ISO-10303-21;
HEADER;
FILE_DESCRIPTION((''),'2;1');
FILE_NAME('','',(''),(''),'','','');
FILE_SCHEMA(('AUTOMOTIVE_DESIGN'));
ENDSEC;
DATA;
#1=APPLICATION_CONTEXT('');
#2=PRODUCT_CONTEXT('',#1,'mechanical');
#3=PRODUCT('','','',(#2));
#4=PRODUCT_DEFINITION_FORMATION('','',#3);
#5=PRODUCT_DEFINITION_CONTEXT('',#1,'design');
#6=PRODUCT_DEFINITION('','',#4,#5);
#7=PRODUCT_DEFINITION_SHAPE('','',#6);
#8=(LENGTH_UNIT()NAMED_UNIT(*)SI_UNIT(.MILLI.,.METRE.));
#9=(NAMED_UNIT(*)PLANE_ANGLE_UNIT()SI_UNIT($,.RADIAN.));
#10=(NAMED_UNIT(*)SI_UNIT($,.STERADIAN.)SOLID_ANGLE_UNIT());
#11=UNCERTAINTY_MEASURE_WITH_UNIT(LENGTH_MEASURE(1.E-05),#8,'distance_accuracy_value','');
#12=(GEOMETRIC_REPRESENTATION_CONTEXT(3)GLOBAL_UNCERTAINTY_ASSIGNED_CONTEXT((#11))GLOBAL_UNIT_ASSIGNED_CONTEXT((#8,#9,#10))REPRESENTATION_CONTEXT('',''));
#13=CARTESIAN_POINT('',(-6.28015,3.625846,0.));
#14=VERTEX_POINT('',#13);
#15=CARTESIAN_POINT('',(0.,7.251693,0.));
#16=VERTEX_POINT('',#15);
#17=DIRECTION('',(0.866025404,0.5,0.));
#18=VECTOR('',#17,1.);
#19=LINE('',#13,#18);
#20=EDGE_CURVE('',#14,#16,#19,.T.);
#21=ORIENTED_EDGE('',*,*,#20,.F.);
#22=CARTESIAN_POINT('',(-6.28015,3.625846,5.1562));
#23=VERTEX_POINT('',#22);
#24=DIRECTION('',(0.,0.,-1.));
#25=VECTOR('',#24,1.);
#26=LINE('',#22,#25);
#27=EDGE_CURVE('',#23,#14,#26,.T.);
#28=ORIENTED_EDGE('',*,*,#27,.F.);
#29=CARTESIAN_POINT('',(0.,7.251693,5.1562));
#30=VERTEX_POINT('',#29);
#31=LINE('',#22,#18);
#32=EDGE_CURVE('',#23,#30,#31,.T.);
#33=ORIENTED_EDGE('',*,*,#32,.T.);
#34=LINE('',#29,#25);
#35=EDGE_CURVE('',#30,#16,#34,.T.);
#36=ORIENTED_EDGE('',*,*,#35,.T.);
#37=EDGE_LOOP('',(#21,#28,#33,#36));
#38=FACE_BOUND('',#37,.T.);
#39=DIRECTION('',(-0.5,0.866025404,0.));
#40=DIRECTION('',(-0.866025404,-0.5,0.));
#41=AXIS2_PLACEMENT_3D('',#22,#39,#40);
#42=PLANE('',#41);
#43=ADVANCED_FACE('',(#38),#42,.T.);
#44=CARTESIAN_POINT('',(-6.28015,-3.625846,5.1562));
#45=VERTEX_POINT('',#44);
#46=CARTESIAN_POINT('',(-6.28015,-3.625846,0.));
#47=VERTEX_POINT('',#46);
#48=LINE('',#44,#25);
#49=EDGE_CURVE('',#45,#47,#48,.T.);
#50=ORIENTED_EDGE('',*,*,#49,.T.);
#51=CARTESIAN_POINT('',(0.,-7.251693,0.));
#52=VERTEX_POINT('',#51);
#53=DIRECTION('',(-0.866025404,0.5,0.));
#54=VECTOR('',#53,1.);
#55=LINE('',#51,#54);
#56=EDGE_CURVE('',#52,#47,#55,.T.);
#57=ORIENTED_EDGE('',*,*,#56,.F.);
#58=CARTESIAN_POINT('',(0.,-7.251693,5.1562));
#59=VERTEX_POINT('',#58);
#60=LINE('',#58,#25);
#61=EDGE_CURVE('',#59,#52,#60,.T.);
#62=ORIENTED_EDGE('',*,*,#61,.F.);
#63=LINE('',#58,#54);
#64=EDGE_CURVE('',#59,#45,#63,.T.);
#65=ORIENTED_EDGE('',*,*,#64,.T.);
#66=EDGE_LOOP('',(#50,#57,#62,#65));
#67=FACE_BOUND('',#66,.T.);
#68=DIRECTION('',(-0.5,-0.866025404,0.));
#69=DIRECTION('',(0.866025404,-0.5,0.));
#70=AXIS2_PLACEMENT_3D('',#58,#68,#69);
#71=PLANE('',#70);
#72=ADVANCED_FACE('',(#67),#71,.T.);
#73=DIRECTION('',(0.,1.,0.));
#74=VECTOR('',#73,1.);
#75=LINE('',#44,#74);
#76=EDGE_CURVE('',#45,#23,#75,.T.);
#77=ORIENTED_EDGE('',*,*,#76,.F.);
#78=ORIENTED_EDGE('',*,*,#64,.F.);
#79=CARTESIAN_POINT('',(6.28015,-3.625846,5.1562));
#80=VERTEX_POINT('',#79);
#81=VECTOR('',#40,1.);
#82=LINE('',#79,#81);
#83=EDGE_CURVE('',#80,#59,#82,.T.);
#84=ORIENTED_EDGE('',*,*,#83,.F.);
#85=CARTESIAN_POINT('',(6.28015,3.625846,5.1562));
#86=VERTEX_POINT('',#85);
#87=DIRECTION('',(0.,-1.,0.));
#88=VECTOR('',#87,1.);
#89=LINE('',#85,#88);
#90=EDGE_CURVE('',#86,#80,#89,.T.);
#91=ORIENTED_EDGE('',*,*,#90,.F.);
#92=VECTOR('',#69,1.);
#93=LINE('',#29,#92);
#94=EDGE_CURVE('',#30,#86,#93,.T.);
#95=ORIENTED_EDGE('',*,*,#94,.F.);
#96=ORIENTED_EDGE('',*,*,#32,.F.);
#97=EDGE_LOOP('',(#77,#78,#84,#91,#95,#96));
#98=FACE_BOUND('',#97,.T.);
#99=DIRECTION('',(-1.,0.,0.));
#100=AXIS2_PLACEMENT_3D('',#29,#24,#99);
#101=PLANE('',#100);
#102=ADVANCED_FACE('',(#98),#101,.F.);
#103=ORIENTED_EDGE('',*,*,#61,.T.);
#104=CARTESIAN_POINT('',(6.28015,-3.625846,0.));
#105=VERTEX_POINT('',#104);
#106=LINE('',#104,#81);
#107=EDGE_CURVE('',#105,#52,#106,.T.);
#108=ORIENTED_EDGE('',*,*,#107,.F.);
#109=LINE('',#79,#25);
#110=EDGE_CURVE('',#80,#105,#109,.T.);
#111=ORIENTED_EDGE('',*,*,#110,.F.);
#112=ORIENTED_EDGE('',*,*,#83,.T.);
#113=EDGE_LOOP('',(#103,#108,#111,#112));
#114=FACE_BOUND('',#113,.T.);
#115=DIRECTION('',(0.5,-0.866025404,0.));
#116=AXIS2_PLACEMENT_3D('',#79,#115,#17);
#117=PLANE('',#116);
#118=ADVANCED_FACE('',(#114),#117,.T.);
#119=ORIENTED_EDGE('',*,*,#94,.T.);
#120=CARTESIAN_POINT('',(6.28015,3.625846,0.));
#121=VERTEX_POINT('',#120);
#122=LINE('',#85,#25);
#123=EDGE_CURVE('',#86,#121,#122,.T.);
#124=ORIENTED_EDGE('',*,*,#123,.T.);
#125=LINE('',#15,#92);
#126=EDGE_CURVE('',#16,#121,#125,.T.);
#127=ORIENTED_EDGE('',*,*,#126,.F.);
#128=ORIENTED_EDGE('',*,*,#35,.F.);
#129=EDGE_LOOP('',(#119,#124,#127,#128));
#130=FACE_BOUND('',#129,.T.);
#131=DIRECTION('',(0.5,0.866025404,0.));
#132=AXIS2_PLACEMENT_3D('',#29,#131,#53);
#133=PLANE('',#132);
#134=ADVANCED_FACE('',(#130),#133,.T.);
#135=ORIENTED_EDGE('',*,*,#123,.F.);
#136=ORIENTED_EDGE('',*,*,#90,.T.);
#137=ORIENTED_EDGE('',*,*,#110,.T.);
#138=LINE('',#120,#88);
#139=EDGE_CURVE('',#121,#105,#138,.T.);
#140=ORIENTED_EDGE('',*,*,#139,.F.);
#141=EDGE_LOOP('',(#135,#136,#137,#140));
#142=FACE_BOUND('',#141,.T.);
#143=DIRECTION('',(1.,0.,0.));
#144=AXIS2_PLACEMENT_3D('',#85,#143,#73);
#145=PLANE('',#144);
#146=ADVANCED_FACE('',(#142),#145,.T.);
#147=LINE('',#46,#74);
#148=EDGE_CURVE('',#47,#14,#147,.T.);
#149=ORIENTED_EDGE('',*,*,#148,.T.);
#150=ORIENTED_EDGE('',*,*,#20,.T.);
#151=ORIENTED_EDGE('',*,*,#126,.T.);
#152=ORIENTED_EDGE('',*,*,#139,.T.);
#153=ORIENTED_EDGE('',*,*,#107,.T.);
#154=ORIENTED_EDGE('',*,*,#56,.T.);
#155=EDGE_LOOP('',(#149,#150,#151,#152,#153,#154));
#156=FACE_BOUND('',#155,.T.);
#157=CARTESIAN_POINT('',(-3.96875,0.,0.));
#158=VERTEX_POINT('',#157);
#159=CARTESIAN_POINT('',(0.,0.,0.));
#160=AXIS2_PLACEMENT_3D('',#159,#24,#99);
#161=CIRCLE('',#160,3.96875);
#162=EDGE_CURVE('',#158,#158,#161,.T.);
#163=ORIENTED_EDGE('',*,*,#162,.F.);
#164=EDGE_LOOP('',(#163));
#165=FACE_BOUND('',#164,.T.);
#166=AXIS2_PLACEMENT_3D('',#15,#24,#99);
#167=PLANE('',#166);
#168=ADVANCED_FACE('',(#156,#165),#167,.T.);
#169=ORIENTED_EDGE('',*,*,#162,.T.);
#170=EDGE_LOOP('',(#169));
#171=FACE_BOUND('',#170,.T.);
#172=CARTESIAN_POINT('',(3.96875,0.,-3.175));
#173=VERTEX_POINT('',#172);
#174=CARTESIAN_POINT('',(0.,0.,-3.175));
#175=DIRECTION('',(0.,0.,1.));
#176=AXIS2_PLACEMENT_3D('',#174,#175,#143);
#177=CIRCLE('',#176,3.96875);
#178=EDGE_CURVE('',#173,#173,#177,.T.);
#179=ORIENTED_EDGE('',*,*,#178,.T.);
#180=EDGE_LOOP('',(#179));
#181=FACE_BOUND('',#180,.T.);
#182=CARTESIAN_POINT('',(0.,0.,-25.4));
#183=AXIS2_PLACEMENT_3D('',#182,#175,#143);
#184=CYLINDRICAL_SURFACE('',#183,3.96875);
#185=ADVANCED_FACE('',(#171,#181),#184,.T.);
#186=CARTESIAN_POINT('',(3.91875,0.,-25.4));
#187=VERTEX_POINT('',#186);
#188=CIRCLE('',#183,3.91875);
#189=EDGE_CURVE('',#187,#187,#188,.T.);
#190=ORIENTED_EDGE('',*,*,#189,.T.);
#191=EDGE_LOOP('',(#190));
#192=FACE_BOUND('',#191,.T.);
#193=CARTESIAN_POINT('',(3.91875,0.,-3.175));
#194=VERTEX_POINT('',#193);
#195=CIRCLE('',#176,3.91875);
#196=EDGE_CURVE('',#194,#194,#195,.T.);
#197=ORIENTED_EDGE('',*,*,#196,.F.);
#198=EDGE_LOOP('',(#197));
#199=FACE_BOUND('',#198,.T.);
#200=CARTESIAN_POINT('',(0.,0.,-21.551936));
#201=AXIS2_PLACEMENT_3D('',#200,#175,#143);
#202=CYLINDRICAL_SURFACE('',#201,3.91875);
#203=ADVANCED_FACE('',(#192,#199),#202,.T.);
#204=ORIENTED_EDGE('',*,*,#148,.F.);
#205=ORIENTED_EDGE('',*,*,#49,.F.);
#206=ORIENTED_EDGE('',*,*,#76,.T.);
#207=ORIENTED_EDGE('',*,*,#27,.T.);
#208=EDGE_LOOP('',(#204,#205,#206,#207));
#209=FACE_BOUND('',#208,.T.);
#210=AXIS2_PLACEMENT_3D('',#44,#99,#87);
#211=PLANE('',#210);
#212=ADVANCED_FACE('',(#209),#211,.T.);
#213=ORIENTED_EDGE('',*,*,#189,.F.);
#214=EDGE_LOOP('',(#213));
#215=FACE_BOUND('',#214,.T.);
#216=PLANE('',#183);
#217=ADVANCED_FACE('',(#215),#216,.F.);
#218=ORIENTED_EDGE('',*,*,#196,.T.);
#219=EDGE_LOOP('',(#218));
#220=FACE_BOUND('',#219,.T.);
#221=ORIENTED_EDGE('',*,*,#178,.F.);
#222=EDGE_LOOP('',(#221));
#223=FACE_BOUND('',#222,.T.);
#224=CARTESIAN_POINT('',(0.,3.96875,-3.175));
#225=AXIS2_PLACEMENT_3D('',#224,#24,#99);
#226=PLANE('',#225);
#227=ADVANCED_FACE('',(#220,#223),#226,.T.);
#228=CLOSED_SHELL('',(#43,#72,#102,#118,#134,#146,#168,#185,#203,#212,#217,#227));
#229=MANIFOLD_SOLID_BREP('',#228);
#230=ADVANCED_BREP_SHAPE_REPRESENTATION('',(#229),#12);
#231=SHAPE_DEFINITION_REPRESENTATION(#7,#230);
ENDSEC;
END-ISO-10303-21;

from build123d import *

# Parameters (mm, degrees)
HEAD_DEPTH     = 5.1562
SHANK_SKETCH_R = 3.96875
SHANK_DEPTH    = 25.4
THREAD_END_W   = 22.225
THREAD_END_H   = 0.05


with BuildPart() as part:
    # Head Sketch → Head (new body)
    with BuildSketch(Plane.XY):
        Polygon((0, 7.251692586), (6.28015, 3.625846293), (6.28015, -3.625846293), (0, -7.251692586), (-6.28015, -3.625846293), (-6.28015, 3.625846293), align=None)
    extrude(amount=HEAD_DEPTH)

    # Shank Sketch → Shank (add)
    with BuildSketch(Plane.XY):
        Circle(SHANK_SKETCH_R)
    extrude(amount=-SHANK_DEPTH)

    # Thread End → Thread Cut (revolve, cut)
    with BuildSketch(Plane(origin=(0, 0, 0), x_dir=(0, 0, -1), z_dir=(1, 0, 0))):
        with Locations((14.2875, 3.94375)):
            Rectangle(THREAD_END_W, THREAD_END_H)
    revolve(axis=Axis((0, 0, -21.551935625), (0, 0, -1)), mode=Mode.SUBTRACT)


solid = part.part
